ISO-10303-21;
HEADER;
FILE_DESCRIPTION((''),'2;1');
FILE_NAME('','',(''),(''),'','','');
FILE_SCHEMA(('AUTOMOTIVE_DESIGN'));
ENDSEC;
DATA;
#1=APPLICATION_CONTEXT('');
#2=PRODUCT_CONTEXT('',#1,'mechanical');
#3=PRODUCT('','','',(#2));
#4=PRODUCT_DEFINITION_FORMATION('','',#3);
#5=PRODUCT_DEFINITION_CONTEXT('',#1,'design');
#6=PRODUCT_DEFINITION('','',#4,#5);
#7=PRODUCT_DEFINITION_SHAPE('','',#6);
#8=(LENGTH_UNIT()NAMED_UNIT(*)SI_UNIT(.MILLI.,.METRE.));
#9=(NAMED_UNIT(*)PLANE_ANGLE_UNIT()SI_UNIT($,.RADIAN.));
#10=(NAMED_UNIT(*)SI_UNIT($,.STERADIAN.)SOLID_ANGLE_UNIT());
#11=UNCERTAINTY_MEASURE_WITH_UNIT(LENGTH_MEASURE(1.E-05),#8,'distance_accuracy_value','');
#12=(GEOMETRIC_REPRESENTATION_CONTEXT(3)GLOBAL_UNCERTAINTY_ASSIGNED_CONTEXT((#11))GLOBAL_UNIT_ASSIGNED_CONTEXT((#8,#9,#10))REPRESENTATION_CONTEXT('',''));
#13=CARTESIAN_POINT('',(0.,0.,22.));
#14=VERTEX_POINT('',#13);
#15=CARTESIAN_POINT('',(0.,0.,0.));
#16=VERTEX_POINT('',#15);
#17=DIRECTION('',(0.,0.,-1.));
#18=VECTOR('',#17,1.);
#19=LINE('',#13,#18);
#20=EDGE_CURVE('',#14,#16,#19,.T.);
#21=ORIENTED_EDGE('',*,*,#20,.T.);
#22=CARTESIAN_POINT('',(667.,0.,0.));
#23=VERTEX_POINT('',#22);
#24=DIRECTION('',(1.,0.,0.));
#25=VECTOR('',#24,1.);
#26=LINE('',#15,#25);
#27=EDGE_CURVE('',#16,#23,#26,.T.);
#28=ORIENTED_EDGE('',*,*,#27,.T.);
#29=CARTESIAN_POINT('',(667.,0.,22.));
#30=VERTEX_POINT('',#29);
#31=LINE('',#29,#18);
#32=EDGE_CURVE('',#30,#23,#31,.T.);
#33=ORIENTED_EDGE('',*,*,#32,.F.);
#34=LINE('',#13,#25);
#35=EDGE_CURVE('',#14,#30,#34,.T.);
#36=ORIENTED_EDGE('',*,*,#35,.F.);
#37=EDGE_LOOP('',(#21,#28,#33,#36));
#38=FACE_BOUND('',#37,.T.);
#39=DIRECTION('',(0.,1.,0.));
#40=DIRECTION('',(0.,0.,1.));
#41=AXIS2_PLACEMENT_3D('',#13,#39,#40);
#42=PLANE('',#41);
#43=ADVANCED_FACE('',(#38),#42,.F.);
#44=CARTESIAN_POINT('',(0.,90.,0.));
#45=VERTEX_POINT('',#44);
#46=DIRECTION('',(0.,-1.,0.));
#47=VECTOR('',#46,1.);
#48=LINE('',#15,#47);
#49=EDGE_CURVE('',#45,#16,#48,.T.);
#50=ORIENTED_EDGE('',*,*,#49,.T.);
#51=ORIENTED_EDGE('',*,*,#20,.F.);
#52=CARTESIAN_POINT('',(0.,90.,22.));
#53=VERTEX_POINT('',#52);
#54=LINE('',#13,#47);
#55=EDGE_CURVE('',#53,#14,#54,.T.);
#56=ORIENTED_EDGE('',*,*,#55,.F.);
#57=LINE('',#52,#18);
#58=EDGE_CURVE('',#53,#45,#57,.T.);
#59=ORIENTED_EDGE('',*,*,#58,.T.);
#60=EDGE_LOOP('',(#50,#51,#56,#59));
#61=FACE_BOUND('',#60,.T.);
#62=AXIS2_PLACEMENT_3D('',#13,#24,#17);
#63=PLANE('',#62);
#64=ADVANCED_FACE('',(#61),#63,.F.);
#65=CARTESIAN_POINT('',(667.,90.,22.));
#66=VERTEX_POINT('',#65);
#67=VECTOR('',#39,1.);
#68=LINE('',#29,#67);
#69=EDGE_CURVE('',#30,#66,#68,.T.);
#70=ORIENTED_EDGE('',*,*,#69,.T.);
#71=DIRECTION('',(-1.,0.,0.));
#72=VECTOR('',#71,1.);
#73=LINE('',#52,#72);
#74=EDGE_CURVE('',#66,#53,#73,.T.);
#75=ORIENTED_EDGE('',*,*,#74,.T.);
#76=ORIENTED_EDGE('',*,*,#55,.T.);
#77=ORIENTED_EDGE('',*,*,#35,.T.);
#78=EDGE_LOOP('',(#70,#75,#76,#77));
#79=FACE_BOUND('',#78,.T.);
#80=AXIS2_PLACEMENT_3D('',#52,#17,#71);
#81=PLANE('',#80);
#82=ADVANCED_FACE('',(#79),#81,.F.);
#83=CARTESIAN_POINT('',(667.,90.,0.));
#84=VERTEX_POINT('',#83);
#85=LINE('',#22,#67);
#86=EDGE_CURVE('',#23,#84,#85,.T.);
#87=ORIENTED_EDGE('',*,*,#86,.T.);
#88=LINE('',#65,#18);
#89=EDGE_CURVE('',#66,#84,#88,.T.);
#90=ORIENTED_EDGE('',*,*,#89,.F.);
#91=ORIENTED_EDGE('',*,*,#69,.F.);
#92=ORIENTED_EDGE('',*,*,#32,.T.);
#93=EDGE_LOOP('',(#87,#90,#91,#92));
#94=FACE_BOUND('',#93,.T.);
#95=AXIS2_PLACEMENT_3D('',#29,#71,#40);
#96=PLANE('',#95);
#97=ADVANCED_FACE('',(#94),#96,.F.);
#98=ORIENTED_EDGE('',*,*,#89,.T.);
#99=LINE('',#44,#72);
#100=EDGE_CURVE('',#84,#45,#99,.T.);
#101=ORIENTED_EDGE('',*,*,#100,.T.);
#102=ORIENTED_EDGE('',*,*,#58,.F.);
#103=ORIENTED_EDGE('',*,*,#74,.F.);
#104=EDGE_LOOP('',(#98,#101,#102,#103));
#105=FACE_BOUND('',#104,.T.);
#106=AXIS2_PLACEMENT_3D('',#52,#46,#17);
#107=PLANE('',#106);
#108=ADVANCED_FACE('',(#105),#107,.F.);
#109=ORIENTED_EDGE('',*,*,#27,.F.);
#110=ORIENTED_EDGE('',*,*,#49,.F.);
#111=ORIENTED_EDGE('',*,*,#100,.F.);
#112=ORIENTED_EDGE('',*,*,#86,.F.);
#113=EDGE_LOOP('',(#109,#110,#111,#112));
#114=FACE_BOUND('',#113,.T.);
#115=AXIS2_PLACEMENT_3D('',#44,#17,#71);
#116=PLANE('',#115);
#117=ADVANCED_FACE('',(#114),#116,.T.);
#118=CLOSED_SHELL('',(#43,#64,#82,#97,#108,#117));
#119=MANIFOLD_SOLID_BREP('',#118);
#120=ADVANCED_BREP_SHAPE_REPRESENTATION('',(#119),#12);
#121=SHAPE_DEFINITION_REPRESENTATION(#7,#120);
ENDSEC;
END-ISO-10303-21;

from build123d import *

# Parameters (mm, degrees)
ESQUISSE1_W      = 667
ESQUISSE1_H      = 90
EXTRUSION1_DEPTH = 22


with BuildPart() as part:
    # Esquisse1 → Extrusion1 (new body)
    with BuildSketch(Plane.XY):
        with Locations((333.5, 45)):
            Rectangle(ESQUISSE1_W, ESQUISSE1_H)
    extrude(amount=EXTRUSION1_DEPTH)


solid = part.part
